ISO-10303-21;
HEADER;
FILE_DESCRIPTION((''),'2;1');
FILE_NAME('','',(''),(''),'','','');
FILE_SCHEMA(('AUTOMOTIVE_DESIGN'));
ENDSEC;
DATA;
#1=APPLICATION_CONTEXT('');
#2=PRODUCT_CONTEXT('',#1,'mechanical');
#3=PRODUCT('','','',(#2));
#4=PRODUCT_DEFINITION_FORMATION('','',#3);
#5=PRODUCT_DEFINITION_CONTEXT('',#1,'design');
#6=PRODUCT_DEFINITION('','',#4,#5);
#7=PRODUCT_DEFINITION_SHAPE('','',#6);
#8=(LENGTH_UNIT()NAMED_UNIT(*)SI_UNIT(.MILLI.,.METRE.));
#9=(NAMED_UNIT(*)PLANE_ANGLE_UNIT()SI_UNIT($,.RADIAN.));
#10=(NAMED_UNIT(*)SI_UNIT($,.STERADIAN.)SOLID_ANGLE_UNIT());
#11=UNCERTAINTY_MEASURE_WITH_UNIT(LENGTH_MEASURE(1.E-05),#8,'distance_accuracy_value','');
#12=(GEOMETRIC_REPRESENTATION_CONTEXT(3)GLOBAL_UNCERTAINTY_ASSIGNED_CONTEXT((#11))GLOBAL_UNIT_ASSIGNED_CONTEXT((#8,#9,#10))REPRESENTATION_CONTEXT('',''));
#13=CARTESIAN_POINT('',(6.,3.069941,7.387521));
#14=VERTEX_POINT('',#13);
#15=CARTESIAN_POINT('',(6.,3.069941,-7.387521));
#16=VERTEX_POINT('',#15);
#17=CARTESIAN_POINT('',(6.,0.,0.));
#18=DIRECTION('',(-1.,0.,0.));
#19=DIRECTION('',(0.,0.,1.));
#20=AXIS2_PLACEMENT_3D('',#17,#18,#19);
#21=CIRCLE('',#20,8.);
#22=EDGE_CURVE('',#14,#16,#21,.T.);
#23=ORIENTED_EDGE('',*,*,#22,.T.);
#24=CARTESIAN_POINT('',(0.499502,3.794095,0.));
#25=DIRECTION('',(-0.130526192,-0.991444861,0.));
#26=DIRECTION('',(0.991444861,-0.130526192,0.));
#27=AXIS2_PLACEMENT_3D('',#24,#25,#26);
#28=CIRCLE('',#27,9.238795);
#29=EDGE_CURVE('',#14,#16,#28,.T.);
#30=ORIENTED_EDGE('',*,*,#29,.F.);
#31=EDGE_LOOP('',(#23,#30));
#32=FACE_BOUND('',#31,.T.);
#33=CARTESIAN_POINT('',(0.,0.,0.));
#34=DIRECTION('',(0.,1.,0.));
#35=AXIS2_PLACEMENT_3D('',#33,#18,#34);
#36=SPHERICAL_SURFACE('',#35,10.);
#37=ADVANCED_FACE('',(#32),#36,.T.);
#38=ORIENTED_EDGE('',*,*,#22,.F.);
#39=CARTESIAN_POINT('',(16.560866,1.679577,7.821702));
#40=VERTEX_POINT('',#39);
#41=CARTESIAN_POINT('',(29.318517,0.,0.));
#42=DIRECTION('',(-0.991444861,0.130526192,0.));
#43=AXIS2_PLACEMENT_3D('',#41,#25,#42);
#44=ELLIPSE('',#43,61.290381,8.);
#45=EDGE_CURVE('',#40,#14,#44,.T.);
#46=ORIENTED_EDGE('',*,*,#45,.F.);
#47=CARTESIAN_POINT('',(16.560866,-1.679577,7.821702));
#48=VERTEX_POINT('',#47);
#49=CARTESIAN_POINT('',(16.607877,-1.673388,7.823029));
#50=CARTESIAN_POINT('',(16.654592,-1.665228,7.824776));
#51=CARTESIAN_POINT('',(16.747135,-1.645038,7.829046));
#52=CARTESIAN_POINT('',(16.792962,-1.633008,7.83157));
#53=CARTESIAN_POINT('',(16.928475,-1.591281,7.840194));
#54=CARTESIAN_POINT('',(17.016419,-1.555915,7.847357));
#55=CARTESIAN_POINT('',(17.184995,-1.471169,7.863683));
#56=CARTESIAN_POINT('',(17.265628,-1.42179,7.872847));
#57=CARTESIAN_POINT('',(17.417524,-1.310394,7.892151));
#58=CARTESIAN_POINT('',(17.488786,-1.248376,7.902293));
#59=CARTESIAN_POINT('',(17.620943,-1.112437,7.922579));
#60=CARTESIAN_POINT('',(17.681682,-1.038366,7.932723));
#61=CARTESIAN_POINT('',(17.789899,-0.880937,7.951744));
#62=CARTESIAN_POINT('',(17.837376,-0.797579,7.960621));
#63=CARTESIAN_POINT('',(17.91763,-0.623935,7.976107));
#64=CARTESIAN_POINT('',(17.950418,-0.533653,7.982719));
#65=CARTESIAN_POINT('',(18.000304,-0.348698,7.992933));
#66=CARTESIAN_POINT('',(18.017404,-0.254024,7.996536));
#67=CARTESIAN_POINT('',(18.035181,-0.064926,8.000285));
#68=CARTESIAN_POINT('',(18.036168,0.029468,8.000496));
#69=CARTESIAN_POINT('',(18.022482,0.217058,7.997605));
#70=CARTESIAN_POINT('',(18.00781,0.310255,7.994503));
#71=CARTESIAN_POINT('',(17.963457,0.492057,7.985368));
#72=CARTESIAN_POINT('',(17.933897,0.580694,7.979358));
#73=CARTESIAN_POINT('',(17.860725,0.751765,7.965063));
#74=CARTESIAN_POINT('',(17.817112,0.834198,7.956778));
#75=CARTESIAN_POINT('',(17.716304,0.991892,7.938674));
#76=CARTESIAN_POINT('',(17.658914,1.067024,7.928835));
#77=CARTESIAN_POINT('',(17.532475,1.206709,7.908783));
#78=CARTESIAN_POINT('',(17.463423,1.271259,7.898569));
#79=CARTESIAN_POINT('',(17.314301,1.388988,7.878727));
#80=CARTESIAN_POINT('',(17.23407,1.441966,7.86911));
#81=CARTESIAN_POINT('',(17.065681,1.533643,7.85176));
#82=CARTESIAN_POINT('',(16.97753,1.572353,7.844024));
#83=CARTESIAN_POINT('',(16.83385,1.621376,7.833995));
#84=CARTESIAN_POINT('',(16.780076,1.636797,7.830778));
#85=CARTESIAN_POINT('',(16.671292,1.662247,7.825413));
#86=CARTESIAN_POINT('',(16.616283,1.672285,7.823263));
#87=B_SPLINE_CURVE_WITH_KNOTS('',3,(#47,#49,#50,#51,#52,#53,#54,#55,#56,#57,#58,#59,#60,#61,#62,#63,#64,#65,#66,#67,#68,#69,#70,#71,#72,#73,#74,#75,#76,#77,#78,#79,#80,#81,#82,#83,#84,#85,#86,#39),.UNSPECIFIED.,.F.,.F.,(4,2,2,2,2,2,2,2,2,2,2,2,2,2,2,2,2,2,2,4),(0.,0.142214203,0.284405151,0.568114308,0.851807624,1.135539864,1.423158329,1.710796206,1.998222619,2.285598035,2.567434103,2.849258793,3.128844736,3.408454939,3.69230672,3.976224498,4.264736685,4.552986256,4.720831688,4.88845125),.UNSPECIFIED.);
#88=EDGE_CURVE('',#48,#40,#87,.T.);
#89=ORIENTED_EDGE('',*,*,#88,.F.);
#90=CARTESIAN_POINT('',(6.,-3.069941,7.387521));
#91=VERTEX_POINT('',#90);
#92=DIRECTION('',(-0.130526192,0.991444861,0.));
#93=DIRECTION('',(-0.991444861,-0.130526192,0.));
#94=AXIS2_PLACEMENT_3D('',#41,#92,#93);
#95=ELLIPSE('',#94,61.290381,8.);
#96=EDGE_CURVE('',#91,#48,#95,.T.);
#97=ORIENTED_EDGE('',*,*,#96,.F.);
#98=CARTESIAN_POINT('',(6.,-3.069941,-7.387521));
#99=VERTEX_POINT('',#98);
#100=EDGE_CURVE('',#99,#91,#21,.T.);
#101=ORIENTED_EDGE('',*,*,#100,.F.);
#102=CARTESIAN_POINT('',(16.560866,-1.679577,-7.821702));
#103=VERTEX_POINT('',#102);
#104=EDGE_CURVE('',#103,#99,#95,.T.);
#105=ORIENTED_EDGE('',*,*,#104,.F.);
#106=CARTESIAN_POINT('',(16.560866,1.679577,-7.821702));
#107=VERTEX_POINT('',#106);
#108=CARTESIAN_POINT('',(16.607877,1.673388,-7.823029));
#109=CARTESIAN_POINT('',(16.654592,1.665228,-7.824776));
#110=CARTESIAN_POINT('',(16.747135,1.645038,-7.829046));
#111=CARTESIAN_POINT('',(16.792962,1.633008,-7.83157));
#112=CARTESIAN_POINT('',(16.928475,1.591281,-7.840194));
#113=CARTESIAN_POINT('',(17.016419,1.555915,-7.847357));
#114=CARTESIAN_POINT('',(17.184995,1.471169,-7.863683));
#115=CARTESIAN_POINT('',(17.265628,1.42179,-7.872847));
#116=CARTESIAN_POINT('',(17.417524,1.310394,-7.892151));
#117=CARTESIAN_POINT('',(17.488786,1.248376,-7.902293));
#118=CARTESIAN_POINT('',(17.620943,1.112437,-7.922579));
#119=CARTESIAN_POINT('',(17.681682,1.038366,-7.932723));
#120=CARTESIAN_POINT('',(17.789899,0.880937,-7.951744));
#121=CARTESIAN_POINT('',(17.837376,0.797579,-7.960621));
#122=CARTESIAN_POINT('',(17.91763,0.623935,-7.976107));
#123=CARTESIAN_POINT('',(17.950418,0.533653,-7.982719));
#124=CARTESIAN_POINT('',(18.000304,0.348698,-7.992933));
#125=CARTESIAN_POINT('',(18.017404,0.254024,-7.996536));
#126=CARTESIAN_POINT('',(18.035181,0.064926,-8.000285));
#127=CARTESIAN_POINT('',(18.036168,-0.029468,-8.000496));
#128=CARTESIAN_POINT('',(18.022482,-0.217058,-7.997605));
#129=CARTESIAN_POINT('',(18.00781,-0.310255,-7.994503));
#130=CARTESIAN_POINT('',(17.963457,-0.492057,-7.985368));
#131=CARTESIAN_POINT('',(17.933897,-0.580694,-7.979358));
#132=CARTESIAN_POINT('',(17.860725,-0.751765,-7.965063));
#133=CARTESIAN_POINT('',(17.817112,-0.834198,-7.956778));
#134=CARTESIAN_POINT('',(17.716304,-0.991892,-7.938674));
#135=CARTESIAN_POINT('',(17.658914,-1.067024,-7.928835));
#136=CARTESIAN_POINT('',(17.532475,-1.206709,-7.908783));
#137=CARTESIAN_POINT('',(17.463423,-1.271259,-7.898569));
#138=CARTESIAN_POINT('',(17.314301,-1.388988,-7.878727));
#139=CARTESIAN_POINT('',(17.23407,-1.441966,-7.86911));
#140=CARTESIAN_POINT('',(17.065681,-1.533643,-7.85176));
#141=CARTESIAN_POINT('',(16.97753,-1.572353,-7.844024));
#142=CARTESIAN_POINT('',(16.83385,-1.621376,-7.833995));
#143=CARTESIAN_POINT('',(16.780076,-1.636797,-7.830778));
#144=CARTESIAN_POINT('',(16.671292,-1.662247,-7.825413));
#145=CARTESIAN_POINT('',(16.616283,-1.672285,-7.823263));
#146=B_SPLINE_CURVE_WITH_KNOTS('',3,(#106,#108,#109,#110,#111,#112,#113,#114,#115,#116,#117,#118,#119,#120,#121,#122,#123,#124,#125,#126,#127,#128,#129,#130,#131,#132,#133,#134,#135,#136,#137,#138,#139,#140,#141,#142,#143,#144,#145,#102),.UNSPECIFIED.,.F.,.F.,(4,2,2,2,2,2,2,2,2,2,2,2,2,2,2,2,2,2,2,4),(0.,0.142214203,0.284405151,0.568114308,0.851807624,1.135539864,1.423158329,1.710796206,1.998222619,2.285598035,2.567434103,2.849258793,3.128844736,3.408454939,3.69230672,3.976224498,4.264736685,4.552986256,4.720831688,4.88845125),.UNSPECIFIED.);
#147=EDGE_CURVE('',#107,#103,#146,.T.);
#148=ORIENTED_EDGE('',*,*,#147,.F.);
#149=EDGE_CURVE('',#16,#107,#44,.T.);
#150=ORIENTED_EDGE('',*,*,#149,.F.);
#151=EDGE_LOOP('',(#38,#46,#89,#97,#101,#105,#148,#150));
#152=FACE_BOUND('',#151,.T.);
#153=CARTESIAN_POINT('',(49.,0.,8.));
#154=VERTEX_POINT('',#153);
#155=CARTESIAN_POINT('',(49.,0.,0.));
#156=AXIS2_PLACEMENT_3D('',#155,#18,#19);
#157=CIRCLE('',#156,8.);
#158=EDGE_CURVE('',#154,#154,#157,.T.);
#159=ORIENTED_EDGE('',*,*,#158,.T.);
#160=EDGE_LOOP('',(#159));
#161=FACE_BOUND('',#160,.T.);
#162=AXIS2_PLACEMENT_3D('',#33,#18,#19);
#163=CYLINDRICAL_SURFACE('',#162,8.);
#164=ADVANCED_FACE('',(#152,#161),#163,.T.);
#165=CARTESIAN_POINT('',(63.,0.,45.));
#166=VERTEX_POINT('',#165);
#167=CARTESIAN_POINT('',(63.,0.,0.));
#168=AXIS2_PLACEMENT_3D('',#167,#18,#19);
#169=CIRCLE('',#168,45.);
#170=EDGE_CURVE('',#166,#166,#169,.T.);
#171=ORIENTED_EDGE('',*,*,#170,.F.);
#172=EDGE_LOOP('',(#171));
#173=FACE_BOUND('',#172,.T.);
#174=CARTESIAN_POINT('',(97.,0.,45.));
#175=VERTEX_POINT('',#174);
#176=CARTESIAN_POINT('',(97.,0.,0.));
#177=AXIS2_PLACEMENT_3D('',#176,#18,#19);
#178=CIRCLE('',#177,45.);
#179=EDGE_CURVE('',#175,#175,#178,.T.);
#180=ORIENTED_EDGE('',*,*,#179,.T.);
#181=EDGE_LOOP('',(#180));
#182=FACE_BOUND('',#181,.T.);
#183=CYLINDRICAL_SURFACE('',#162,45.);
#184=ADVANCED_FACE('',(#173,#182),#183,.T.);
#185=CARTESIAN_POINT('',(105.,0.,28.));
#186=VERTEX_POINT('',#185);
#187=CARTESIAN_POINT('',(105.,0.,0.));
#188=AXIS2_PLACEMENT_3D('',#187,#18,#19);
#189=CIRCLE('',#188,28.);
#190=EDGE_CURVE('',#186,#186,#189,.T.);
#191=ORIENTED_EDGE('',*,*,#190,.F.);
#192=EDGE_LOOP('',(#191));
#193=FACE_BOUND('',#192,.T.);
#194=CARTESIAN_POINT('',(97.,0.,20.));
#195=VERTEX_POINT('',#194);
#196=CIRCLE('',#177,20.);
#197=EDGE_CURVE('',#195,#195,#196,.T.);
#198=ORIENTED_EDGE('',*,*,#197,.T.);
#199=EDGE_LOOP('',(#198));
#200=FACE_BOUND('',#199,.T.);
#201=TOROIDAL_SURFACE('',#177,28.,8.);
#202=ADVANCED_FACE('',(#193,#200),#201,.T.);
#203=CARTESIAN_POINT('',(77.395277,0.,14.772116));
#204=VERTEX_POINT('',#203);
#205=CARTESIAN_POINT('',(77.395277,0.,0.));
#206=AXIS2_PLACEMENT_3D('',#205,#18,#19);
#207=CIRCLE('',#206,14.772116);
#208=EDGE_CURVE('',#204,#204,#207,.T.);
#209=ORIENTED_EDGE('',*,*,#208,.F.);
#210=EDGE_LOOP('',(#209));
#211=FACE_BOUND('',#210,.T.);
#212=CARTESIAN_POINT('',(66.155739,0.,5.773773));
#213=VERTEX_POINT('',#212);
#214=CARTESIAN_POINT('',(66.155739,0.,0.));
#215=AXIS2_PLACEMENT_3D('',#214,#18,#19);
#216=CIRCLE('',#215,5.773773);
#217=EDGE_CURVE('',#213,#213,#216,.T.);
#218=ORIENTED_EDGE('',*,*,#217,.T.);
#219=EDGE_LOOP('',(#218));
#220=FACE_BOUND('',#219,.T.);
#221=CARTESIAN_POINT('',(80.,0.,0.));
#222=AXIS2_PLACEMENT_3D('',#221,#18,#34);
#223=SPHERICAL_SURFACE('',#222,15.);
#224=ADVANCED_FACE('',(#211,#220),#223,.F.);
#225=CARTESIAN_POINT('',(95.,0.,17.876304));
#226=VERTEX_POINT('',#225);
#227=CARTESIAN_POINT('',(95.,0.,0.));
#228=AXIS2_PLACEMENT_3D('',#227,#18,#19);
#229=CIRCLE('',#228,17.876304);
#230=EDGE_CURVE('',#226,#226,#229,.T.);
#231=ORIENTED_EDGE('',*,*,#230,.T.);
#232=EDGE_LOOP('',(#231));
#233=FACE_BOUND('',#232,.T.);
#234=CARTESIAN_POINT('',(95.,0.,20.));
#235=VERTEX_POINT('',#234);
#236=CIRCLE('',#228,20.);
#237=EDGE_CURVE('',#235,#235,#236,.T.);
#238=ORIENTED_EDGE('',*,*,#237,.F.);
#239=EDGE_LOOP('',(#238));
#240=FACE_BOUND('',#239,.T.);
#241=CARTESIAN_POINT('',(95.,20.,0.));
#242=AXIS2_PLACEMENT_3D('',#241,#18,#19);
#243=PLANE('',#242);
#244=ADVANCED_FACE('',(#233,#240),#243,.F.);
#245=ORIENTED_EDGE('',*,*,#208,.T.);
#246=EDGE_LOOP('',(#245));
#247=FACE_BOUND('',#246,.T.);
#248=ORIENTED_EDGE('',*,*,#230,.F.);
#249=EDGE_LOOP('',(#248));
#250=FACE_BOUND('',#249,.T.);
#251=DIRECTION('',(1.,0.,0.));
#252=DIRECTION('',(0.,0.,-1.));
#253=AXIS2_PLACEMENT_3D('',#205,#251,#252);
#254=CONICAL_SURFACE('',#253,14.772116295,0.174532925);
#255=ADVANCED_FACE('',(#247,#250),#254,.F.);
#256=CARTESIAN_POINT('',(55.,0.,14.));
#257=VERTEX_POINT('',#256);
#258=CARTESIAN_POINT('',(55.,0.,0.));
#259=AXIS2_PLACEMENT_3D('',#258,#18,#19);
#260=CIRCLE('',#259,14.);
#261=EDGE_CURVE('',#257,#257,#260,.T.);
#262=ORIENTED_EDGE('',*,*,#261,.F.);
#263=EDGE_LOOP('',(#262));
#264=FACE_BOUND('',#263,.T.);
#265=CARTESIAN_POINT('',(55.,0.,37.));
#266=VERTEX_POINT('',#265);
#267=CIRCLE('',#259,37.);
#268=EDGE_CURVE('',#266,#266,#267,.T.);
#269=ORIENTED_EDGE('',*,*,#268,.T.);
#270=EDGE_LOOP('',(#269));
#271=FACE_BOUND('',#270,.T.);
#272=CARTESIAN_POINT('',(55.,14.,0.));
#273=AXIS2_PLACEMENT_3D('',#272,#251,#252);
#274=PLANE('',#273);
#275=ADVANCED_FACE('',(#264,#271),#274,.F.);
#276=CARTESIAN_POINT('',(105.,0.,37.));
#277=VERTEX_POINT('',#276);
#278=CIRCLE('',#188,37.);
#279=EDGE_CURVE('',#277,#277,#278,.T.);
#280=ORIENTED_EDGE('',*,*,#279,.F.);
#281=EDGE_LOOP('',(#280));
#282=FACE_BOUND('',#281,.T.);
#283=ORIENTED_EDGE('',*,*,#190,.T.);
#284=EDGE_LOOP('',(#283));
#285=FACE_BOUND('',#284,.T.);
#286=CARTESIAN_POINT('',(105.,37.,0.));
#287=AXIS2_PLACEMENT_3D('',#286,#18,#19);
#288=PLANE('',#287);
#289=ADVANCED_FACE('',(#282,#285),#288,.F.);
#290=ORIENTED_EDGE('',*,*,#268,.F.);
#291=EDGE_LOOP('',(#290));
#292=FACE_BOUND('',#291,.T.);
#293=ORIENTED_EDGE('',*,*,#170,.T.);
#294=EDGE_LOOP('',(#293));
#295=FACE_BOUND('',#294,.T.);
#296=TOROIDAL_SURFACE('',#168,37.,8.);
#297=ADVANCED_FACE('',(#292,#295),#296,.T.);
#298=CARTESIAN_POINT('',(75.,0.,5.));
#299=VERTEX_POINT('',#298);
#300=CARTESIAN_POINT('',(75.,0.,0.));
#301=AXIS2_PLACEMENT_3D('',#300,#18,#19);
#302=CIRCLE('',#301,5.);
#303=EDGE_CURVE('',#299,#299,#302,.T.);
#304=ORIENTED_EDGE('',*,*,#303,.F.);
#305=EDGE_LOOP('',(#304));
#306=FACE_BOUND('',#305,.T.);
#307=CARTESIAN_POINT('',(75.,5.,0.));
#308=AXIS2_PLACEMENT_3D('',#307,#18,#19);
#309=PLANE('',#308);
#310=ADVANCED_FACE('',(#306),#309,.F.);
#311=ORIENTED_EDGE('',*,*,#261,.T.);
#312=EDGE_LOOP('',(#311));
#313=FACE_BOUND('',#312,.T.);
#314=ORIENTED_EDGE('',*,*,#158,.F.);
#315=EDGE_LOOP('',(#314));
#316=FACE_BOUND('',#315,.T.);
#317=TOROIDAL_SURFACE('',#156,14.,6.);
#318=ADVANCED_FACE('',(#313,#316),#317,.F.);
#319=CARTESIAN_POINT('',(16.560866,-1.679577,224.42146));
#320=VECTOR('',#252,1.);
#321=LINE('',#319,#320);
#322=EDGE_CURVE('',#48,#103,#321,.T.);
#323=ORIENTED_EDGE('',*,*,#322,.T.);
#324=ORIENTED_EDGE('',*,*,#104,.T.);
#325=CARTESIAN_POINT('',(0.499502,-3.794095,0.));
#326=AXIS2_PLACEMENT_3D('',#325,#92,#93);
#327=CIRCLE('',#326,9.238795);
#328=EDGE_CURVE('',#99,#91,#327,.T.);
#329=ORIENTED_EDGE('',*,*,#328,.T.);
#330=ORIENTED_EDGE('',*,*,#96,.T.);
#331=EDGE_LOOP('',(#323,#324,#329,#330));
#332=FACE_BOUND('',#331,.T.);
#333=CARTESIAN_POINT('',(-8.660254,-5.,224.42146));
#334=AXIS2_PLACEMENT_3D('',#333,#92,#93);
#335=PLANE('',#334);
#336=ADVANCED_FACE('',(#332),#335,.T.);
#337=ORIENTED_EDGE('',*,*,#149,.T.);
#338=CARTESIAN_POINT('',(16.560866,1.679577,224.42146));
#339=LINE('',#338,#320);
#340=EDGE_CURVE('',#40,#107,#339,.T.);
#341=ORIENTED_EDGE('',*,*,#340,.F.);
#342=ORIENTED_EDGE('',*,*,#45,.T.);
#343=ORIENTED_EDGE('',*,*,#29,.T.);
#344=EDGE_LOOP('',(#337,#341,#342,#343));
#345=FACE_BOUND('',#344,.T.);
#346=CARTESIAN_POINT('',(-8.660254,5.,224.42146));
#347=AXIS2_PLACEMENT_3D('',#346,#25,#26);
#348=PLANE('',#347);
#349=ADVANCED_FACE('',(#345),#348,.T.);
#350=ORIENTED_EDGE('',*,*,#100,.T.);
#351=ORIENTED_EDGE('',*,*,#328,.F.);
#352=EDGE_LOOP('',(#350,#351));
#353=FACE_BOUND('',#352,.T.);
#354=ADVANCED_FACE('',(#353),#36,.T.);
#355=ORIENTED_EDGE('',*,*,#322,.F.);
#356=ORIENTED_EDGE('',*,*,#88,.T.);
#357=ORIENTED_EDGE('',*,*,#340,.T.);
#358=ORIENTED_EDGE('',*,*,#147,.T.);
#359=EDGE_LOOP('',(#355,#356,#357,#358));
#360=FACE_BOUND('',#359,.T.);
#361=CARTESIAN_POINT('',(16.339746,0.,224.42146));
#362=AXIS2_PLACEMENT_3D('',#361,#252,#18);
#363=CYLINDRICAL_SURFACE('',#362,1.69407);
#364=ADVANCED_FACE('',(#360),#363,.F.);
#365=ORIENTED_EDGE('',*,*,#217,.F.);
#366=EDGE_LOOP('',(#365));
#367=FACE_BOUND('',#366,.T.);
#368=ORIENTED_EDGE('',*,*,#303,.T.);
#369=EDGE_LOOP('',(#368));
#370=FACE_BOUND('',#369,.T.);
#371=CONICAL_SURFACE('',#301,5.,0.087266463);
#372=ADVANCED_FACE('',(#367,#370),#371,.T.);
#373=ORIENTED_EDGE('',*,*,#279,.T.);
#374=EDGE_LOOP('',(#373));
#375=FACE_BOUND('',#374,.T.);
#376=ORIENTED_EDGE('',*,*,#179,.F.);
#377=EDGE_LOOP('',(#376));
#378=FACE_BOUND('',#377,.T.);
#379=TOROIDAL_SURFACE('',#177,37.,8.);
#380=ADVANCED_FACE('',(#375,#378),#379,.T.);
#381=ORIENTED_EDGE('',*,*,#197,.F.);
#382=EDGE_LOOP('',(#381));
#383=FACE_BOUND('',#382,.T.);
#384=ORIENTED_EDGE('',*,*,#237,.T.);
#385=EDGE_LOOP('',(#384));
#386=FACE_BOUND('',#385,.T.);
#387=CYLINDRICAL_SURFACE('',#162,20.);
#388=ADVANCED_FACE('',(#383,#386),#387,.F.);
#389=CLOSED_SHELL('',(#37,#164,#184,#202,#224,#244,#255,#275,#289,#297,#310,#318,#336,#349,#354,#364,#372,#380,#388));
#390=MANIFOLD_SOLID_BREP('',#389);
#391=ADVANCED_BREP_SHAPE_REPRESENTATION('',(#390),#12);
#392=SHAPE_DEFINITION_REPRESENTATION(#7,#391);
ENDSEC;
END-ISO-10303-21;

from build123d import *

# Parameters (mm, degrees)
CUT_EXTRUDE_1_DEPTH      = 46
CUT_EXTRUDE_1_DEPTH_BACK = 46


with BuildPart() as part:
    # 草圖1 → 旋轉1 (revolve)
    with BuildSketch(Plane.XY):
        with BuildLine():
            Line((6, 8), (49, 8))
            ThreePointArc((49, 8), (53.242640687, 9.757359313), (55, 14))
            Line((55, 14), (55, 37))
            ThreePointArc((55, 37), (57.343145751, 42.656854249), (63, 45))
            Line((63, 45), (97, 45))
            ThreePointArc((97, 45), (102.656854249, 42.656854249), (105, 37))
            Line((105, 37), (105, 28))
            ThreePointArc((105, 28), (102.656854249, 22.343145751), (97, 20))
            Line((97, 20), (95, 20))
            Line((95, 20), (95, 17.876303889))
            Line((95, 17.876303889), (77.395277335, 14.772116295))
            ThreePointArc((77.395277335, 14.772116295), (70.625310141, 11.709619552), (66.155739431, 5.773772537))
            Line((66.155739431, 5.773772537), (75, 5))
            Line((75, 5), (75, 0))
            Line((75, 0), (-10, 0))
            ThreePointArc((-10, 0), (-4.472135955, 8.94427191), (6, 8))
        make_face()
    revolve(axis=Axis((0, 0, 0), (1, 0, 0)))

    # 草圖2 → 除料-伸長1 (cut, two sides)
    with BuildSketch(Plane.XY) as cut_extrude_1_sk:
        with BuildLine():
            Line((-264.793827917, 38.720624717), (-8.660254038, 5))
            Line((-8.660254038, 5), (16.560866404, 1.679576502))
            ThreePointArc((16.560866404, 1.679576502), (18.033815464, 0), (16.560866404, -1.679576502))
            Line((16.560866404, -1.679576502), (-8.660254038, -5))
            Line((-8.660254038, -5), (-264.793827917, -38.720624717))
            Line((-264.793827917, -38.720624717), (-781.481308701, -38.720624717))
            Line((-781.481308701, -38.720624717), (-781.481308701, 38.720624717))
            Line((-781.481308701, 38.720624717), (-264.793827917, 38.720624717))
        make_face()
    extrude(amount=CUT_EXTRUDE_1_DEPTH, mode=Mode.SUBTRACT)
    extrude(cut_extrude_1_sk.sketch, amount=-CUT_EXTRUDE_1_DEPTH_BACK, mode=Mode.SUBTRACT)


solid = part.part
